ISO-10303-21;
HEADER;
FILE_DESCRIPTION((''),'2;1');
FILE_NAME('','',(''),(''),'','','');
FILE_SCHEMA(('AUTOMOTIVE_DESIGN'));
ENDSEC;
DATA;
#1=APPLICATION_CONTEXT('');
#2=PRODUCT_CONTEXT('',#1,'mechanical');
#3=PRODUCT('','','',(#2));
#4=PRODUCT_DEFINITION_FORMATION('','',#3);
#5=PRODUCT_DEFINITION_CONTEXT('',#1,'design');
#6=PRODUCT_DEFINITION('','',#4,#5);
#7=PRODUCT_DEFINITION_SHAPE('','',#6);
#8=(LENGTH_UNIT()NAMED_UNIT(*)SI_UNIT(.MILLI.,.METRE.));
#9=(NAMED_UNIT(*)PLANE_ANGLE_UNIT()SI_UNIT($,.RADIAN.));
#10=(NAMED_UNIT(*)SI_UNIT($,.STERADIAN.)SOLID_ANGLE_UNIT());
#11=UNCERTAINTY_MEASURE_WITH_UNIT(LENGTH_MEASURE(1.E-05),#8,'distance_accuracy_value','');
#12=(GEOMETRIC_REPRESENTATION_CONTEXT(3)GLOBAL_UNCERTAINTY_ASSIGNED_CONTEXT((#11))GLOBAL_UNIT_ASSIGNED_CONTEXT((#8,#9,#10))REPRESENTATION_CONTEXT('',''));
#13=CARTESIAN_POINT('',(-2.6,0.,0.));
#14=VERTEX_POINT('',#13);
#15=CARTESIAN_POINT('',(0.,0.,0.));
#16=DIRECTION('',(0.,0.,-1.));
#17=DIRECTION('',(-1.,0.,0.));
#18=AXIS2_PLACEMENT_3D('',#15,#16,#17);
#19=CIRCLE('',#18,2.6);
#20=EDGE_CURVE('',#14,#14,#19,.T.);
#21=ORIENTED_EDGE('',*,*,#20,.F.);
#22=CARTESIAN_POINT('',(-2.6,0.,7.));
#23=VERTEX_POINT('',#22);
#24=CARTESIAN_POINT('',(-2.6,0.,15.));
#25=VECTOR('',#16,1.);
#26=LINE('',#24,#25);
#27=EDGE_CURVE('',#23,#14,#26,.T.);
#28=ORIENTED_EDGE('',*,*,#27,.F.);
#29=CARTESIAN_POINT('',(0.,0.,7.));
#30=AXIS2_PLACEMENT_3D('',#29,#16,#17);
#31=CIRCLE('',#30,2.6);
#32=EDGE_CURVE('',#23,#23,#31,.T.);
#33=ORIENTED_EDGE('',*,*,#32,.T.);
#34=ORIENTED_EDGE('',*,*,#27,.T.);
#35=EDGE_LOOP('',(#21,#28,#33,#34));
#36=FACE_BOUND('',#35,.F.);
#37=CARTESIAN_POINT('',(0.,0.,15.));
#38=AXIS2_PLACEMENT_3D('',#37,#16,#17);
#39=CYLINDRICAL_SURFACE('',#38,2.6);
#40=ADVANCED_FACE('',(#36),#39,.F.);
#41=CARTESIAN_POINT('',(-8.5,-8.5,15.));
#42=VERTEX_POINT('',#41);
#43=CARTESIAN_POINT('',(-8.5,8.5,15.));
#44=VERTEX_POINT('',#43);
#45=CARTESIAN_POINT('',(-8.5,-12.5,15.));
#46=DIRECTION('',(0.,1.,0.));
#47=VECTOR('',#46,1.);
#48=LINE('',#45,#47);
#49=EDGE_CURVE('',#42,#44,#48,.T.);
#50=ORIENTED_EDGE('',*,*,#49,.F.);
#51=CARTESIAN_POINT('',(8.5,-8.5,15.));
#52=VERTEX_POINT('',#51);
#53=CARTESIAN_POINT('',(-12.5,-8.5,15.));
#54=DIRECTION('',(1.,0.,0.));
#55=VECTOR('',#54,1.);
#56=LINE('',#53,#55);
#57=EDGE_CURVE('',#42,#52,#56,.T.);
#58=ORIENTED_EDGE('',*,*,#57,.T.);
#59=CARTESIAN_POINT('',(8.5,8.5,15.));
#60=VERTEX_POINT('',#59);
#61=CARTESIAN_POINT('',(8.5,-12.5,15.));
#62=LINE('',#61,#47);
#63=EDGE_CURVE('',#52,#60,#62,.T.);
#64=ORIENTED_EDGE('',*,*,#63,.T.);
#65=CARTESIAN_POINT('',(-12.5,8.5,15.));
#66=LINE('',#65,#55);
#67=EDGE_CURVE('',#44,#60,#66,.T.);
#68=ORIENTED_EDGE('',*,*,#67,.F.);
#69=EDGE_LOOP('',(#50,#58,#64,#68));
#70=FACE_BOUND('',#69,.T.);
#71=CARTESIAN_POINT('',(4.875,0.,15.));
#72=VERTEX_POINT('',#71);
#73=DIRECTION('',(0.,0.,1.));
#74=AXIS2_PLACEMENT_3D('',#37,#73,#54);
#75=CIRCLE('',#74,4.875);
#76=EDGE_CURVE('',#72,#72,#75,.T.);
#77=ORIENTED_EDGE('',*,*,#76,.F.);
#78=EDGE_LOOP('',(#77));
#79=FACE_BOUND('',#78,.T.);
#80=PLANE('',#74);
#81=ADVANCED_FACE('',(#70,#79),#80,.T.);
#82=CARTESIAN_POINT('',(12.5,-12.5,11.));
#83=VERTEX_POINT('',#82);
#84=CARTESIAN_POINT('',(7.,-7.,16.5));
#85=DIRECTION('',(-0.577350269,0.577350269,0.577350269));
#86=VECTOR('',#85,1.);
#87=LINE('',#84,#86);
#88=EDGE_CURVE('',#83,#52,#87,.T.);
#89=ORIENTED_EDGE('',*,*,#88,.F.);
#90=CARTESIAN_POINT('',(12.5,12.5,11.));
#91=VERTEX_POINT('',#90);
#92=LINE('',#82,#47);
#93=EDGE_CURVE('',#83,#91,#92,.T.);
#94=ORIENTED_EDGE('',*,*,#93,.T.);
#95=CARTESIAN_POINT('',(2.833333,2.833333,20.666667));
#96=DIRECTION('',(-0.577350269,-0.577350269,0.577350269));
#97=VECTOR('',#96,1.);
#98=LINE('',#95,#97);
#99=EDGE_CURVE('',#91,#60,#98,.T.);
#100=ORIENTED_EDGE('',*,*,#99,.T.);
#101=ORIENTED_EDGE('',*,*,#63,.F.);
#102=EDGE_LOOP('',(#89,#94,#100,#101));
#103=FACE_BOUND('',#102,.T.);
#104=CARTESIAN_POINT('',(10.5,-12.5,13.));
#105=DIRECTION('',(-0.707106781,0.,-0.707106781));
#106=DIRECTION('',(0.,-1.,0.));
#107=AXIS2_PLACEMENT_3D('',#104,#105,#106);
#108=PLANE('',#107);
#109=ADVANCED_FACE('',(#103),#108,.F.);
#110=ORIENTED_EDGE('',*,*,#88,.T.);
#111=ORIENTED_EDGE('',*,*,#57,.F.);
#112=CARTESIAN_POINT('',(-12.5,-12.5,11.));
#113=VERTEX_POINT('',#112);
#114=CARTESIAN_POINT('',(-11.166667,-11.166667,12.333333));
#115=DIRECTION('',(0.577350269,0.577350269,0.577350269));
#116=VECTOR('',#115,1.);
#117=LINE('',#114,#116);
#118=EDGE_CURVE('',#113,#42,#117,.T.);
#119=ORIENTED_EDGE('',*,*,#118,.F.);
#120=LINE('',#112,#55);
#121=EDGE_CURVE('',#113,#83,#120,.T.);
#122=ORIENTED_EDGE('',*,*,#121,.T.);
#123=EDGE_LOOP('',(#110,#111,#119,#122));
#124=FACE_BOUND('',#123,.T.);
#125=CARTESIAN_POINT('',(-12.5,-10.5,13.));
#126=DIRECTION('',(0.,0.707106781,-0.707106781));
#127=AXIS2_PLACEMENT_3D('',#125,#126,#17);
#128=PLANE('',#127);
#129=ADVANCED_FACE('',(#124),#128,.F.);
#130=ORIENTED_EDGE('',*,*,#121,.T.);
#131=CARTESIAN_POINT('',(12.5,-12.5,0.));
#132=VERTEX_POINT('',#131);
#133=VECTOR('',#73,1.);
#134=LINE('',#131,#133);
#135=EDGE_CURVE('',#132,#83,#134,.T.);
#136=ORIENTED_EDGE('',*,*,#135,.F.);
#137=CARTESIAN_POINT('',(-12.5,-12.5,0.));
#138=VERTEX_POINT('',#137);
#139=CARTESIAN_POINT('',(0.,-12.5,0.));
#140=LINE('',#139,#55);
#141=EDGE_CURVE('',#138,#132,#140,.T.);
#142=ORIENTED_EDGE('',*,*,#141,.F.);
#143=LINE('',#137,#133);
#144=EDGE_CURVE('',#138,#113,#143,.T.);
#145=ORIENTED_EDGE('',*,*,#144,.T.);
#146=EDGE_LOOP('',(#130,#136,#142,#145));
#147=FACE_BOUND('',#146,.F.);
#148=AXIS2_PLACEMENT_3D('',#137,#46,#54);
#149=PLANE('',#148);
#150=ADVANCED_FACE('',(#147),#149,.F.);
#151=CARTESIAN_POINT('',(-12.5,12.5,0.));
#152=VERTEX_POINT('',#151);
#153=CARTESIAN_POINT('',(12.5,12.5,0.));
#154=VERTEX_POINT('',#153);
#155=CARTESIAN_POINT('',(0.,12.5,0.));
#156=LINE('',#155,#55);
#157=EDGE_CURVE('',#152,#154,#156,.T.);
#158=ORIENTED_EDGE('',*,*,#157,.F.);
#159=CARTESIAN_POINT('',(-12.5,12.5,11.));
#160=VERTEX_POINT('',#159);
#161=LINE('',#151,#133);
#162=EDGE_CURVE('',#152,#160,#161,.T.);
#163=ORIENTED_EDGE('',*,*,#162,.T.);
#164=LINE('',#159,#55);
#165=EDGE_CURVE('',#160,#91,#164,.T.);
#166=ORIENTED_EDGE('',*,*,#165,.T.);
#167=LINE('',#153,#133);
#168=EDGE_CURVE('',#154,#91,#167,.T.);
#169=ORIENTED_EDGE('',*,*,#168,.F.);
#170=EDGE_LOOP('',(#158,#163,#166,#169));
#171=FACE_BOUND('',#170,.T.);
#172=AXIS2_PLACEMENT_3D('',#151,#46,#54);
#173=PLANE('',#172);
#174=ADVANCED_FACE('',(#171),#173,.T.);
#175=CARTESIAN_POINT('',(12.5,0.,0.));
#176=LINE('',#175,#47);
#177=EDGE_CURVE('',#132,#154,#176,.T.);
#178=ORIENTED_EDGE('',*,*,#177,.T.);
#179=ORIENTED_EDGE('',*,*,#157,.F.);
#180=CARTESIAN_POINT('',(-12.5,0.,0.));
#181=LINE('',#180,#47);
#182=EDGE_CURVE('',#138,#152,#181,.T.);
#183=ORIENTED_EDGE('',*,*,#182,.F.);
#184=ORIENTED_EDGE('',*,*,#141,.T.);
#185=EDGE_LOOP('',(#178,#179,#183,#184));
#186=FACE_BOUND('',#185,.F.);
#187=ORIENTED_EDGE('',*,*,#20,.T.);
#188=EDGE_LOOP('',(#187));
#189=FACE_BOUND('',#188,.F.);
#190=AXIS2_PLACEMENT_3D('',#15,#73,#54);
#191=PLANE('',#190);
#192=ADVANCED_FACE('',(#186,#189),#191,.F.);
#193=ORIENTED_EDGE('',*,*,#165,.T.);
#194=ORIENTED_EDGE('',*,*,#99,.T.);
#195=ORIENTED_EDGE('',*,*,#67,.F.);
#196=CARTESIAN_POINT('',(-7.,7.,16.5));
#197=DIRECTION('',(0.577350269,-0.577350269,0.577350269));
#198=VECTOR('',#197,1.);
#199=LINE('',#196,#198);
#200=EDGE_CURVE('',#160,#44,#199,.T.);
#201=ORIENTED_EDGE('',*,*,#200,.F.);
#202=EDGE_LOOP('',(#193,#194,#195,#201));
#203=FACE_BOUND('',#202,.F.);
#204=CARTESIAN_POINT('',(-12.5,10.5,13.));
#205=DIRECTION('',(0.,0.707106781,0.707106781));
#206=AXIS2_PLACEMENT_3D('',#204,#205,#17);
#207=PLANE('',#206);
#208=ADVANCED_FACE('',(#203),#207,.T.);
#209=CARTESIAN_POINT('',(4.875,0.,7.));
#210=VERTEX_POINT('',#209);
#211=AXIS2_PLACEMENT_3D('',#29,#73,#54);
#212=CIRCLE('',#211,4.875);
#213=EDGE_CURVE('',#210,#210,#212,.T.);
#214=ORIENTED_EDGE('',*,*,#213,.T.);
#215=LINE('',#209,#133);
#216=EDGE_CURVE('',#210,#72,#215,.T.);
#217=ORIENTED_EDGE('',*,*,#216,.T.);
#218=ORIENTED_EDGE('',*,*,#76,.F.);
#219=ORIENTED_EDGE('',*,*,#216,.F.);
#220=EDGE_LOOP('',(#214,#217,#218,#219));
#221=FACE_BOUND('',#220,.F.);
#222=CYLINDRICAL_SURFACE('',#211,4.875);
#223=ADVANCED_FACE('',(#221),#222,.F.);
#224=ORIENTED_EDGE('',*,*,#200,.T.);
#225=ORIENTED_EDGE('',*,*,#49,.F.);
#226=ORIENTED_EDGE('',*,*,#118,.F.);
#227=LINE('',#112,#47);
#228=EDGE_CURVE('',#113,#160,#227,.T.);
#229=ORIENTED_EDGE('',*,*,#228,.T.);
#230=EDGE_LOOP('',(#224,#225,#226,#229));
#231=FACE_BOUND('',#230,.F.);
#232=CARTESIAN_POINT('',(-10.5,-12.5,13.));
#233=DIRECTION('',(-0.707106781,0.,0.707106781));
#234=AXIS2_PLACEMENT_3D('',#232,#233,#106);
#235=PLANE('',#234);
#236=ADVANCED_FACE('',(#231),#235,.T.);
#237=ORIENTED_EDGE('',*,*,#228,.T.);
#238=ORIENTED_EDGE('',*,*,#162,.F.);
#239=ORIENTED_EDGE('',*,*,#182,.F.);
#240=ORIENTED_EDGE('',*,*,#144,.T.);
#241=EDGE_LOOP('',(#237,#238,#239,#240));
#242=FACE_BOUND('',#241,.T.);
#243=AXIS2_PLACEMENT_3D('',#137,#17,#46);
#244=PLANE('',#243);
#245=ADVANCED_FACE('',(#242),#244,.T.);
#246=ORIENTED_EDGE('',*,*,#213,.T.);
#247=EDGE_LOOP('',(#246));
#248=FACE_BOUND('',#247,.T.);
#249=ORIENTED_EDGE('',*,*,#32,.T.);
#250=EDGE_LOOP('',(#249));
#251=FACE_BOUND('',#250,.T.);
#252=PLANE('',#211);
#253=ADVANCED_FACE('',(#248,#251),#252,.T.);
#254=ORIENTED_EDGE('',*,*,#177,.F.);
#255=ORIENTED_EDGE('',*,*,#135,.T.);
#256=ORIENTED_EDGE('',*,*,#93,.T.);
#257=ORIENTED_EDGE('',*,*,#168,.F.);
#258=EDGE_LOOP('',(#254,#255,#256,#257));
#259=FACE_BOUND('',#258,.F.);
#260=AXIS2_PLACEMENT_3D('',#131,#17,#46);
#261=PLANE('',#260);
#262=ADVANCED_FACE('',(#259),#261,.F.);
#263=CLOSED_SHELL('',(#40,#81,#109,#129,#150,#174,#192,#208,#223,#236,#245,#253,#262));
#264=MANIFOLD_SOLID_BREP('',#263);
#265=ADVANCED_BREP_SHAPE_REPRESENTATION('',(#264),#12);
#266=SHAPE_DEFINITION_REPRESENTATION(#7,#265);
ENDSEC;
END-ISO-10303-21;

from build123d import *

# Parameters (mm, degrees)
F0_W           = 25
F0_H           = 25
F1_DEPTH       = 15
F2_SIZE        = 4
F4_D           = 5.2
F4_CBORE_D     = 9.75
F4_CBORE_DEPTH = 8


with BuildPart() as f1:
    # F0 (on Top) → F1 (new body)
    with BuildSketch(Plane.XY):
        Rectangle(F0_W, F0_H)
    extrude(amount=F1_DEPTH)

    # F2
    f2_edges = [f1.edges().sort_by_distance(p)[0] for p in [
        (-12.5, 0, 15),
        (0, 12.5, 15),
        (12.5, 0, 15),
        (0, -12.5, 15),
    ]]
    chamfer(f2_edges, length=F2_SIZE)

    # F4 (through all)
    with Locations(Plane.XY.offset(15)):
        with Locations((0, 0)):
            CounterBoreHole(F4_D / 2, F4_CBORE_D / 2, F4_CBORE_DEPTH)


solid = f1.part
